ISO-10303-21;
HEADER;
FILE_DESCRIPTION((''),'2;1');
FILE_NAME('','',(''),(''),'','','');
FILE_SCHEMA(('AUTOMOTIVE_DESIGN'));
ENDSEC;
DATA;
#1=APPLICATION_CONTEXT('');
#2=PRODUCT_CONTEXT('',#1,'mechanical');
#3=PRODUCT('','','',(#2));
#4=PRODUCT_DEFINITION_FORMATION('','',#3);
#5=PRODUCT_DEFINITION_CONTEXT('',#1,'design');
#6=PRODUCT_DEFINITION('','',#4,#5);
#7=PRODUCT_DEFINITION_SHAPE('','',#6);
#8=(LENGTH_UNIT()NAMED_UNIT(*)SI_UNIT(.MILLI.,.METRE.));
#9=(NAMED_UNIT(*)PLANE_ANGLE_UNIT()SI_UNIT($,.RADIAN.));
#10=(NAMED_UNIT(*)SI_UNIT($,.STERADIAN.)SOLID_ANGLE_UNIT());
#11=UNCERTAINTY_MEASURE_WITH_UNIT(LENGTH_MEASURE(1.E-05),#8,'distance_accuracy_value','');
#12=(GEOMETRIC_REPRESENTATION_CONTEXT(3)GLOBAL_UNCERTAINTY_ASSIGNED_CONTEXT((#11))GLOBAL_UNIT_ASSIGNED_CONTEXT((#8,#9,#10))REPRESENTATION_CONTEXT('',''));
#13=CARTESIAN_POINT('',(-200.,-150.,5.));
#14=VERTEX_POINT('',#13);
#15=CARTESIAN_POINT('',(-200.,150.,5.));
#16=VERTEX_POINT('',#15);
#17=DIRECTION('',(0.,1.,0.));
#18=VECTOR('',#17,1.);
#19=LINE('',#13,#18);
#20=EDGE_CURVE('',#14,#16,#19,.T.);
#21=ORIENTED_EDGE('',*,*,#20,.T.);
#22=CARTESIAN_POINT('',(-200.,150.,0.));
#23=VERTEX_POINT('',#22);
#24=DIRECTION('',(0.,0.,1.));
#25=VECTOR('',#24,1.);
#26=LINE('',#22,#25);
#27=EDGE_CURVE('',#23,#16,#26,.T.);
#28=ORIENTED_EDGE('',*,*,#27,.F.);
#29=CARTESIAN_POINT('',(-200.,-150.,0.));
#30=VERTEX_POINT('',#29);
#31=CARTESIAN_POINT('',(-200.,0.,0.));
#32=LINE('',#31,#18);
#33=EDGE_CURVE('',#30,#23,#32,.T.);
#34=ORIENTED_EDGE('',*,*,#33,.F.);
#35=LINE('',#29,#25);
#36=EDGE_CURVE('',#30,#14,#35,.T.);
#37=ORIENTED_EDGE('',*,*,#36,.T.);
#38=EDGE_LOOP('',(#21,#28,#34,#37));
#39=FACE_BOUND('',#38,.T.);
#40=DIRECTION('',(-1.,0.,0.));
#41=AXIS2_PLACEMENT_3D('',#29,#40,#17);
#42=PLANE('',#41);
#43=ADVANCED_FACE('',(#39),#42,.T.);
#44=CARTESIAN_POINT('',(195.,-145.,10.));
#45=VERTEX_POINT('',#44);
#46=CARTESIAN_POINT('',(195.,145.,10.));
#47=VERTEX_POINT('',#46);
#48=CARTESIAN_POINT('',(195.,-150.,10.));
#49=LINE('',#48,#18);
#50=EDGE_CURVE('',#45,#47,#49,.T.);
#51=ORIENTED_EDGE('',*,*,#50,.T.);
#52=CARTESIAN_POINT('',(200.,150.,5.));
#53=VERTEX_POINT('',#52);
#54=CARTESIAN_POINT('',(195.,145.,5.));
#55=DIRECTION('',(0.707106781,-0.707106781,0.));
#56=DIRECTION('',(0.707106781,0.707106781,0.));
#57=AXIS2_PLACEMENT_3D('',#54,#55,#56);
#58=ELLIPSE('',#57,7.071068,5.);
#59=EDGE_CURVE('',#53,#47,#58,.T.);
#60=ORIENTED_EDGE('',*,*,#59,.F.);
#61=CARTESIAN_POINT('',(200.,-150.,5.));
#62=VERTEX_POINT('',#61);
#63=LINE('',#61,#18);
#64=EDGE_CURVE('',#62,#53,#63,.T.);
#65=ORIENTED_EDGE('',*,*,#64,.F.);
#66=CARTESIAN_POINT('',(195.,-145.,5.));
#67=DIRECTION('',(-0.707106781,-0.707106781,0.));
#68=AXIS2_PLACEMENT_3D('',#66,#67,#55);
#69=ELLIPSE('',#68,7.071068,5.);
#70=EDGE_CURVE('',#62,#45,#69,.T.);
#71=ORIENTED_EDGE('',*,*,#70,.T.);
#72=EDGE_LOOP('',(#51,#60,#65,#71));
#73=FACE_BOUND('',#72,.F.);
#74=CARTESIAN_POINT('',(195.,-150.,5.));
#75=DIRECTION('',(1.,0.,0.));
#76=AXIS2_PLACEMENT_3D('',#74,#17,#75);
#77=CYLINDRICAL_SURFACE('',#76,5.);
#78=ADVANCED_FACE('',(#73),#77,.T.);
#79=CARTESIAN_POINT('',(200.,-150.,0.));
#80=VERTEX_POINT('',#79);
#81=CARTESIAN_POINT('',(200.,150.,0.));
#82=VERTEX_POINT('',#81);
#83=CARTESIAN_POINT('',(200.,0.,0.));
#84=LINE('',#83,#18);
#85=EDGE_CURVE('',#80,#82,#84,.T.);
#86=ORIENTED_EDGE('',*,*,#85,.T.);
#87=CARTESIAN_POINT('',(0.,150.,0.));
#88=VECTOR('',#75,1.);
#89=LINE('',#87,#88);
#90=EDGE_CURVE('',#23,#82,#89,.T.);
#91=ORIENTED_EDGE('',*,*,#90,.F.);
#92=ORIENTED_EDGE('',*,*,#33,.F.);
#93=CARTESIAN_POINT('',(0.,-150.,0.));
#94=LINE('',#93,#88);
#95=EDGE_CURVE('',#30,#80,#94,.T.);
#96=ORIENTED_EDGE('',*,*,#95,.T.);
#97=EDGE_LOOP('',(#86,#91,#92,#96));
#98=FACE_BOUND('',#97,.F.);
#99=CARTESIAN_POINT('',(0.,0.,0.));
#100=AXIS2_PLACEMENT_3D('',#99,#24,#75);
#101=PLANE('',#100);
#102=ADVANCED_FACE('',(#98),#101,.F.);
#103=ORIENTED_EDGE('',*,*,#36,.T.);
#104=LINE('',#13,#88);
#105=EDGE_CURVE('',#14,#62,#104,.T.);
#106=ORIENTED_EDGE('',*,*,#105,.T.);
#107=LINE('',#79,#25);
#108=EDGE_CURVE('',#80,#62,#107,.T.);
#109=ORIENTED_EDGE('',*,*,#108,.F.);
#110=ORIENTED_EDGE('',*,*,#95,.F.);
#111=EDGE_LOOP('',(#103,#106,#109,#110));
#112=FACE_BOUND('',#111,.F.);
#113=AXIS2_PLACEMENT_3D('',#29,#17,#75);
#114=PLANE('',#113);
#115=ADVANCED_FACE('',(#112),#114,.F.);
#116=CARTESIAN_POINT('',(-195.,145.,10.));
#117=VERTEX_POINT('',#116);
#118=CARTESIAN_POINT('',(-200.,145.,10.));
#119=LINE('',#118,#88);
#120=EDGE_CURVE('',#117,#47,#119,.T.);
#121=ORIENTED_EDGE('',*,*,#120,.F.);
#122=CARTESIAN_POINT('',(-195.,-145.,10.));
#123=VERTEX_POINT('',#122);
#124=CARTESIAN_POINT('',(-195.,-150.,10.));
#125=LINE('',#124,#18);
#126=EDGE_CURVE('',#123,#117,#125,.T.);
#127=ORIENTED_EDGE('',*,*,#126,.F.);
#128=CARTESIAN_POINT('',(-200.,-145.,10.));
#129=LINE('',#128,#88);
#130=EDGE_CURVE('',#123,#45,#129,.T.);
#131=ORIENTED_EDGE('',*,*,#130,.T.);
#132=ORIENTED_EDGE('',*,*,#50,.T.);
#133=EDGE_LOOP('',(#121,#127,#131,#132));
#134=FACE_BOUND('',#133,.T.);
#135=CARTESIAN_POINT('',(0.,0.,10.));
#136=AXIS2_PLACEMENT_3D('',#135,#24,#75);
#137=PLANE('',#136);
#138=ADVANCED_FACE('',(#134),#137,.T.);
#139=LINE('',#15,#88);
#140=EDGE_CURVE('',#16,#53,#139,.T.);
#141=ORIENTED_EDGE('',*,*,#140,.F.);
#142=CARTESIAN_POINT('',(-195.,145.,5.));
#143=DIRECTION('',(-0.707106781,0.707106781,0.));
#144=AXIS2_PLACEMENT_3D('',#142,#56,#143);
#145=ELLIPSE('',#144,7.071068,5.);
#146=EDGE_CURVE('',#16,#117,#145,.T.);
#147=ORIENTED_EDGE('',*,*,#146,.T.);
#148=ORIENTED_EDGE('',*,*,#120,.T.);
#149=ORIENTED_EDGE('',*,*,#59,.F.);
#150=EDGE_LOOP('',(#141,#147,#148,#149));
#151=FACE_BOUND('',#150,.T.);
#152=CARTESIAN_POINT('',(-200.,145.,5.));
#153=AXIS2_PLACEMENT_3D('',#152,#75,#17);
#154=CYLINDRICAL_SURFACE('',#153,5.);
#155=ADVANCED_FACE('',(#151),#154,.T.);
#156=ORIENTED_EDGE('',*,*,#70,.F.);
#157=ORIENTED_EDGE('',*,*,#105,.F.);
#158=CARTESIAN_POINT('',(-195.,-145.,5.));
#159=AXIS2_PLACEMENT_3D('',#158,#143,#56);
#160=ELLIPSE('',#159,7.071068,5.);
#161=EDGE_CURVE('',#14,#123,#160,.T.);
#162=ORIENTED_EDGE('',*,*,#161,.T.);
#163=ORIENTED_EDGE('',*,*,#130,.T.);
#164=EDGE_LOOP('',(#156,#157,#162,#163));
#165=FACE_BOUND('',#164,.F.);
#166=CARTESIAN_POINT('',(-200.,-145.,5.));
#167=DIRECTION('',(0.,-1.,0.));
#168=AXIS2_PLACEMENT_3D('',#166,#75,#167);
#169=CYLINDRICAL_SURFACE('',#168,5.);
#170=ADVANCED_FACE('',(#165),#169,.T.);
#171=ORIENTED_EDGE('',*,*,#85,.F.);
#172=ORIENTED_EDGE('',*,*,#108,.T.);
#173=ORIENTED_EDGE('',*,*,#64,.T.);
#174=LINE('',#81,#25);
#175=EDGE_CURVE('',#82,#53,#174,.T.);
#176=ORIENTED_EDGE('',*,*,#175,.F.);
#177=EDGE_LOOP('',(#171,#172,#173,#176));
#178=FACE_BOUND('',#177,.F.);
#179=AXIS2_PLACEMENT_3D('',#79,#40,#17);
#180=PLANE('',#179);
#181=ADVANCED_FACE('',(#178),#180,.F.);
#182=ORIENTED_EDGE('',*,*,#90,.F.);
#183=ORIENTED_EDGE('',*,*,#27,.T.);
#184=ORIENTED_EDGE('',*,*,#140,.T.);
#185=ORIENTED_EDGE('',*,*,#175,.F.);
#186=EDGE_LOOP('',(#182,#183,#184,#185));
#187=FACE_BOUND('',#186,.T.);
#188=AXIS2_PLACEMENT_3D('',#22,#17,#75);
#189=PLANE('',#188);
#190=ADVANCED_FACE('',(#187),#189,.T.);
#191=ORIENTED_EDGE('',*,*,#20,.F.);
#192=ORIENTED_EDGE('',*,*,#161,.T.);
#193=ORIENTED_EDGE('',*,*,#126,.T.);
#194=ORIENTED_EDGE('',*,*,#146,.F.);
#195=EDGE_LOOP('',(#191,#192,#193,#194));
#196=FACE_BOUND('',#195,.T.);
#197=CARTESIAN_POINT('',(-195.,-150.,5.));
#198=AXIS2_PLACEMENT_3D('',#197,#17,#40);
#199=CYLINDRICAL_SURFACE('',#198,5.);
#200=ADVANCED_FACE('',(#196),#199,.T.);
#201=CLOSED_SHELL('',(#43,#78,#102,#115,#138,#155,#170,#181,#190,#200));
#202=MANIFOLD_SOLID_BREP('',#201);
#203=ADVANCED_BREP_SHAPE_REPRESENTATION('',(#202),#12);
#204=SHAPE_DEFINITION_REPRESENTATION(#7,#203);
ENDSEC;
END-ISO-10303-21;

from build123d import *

# Parameters (mm, degrees)
F0_W     = 276
F0_H     = 126
F1_DEPTH = 12
F2_R     = 5
F4_W     = 400
F4_H     = 300
F5_DEPTH = 10
F6_R     = 5


with BuildPart() as f1:
    # F0 (on Top) → F1 (new body)
    with BuildSketch(Plane.XY):
        Rectangle(F0_W, F0_H)
    extrude(amount=F1_DEPTH)

    # F2
    f2_edges = [f1.edges().sort_by_distance(p)[0] for p in [
        (0, -63, 12),
        (-138, 0, 12),
        (138, 0, 12),
        (0, 63, 12),
    ]]
    fillet(f2_edges, radius=F2_R)


with BuildPart() as f5:
    # F4 (on Top) → F5 (new body)
    with BuildSketch(Plane.XY):
        Rectangle(F4_W, F4_H)
    extrude(amount=F5_DEPTH)

    # F6
    f6_edges = [f5.edges().sort_by_distance(p)[0] for p in [
        (0, -150, 10),
        (-200, 0, 10),
        (200, 0, 10),
        (0, 150, 10),
    ]]
    fillet(f6_edges, radius=F6_R)


solid = f5.part
